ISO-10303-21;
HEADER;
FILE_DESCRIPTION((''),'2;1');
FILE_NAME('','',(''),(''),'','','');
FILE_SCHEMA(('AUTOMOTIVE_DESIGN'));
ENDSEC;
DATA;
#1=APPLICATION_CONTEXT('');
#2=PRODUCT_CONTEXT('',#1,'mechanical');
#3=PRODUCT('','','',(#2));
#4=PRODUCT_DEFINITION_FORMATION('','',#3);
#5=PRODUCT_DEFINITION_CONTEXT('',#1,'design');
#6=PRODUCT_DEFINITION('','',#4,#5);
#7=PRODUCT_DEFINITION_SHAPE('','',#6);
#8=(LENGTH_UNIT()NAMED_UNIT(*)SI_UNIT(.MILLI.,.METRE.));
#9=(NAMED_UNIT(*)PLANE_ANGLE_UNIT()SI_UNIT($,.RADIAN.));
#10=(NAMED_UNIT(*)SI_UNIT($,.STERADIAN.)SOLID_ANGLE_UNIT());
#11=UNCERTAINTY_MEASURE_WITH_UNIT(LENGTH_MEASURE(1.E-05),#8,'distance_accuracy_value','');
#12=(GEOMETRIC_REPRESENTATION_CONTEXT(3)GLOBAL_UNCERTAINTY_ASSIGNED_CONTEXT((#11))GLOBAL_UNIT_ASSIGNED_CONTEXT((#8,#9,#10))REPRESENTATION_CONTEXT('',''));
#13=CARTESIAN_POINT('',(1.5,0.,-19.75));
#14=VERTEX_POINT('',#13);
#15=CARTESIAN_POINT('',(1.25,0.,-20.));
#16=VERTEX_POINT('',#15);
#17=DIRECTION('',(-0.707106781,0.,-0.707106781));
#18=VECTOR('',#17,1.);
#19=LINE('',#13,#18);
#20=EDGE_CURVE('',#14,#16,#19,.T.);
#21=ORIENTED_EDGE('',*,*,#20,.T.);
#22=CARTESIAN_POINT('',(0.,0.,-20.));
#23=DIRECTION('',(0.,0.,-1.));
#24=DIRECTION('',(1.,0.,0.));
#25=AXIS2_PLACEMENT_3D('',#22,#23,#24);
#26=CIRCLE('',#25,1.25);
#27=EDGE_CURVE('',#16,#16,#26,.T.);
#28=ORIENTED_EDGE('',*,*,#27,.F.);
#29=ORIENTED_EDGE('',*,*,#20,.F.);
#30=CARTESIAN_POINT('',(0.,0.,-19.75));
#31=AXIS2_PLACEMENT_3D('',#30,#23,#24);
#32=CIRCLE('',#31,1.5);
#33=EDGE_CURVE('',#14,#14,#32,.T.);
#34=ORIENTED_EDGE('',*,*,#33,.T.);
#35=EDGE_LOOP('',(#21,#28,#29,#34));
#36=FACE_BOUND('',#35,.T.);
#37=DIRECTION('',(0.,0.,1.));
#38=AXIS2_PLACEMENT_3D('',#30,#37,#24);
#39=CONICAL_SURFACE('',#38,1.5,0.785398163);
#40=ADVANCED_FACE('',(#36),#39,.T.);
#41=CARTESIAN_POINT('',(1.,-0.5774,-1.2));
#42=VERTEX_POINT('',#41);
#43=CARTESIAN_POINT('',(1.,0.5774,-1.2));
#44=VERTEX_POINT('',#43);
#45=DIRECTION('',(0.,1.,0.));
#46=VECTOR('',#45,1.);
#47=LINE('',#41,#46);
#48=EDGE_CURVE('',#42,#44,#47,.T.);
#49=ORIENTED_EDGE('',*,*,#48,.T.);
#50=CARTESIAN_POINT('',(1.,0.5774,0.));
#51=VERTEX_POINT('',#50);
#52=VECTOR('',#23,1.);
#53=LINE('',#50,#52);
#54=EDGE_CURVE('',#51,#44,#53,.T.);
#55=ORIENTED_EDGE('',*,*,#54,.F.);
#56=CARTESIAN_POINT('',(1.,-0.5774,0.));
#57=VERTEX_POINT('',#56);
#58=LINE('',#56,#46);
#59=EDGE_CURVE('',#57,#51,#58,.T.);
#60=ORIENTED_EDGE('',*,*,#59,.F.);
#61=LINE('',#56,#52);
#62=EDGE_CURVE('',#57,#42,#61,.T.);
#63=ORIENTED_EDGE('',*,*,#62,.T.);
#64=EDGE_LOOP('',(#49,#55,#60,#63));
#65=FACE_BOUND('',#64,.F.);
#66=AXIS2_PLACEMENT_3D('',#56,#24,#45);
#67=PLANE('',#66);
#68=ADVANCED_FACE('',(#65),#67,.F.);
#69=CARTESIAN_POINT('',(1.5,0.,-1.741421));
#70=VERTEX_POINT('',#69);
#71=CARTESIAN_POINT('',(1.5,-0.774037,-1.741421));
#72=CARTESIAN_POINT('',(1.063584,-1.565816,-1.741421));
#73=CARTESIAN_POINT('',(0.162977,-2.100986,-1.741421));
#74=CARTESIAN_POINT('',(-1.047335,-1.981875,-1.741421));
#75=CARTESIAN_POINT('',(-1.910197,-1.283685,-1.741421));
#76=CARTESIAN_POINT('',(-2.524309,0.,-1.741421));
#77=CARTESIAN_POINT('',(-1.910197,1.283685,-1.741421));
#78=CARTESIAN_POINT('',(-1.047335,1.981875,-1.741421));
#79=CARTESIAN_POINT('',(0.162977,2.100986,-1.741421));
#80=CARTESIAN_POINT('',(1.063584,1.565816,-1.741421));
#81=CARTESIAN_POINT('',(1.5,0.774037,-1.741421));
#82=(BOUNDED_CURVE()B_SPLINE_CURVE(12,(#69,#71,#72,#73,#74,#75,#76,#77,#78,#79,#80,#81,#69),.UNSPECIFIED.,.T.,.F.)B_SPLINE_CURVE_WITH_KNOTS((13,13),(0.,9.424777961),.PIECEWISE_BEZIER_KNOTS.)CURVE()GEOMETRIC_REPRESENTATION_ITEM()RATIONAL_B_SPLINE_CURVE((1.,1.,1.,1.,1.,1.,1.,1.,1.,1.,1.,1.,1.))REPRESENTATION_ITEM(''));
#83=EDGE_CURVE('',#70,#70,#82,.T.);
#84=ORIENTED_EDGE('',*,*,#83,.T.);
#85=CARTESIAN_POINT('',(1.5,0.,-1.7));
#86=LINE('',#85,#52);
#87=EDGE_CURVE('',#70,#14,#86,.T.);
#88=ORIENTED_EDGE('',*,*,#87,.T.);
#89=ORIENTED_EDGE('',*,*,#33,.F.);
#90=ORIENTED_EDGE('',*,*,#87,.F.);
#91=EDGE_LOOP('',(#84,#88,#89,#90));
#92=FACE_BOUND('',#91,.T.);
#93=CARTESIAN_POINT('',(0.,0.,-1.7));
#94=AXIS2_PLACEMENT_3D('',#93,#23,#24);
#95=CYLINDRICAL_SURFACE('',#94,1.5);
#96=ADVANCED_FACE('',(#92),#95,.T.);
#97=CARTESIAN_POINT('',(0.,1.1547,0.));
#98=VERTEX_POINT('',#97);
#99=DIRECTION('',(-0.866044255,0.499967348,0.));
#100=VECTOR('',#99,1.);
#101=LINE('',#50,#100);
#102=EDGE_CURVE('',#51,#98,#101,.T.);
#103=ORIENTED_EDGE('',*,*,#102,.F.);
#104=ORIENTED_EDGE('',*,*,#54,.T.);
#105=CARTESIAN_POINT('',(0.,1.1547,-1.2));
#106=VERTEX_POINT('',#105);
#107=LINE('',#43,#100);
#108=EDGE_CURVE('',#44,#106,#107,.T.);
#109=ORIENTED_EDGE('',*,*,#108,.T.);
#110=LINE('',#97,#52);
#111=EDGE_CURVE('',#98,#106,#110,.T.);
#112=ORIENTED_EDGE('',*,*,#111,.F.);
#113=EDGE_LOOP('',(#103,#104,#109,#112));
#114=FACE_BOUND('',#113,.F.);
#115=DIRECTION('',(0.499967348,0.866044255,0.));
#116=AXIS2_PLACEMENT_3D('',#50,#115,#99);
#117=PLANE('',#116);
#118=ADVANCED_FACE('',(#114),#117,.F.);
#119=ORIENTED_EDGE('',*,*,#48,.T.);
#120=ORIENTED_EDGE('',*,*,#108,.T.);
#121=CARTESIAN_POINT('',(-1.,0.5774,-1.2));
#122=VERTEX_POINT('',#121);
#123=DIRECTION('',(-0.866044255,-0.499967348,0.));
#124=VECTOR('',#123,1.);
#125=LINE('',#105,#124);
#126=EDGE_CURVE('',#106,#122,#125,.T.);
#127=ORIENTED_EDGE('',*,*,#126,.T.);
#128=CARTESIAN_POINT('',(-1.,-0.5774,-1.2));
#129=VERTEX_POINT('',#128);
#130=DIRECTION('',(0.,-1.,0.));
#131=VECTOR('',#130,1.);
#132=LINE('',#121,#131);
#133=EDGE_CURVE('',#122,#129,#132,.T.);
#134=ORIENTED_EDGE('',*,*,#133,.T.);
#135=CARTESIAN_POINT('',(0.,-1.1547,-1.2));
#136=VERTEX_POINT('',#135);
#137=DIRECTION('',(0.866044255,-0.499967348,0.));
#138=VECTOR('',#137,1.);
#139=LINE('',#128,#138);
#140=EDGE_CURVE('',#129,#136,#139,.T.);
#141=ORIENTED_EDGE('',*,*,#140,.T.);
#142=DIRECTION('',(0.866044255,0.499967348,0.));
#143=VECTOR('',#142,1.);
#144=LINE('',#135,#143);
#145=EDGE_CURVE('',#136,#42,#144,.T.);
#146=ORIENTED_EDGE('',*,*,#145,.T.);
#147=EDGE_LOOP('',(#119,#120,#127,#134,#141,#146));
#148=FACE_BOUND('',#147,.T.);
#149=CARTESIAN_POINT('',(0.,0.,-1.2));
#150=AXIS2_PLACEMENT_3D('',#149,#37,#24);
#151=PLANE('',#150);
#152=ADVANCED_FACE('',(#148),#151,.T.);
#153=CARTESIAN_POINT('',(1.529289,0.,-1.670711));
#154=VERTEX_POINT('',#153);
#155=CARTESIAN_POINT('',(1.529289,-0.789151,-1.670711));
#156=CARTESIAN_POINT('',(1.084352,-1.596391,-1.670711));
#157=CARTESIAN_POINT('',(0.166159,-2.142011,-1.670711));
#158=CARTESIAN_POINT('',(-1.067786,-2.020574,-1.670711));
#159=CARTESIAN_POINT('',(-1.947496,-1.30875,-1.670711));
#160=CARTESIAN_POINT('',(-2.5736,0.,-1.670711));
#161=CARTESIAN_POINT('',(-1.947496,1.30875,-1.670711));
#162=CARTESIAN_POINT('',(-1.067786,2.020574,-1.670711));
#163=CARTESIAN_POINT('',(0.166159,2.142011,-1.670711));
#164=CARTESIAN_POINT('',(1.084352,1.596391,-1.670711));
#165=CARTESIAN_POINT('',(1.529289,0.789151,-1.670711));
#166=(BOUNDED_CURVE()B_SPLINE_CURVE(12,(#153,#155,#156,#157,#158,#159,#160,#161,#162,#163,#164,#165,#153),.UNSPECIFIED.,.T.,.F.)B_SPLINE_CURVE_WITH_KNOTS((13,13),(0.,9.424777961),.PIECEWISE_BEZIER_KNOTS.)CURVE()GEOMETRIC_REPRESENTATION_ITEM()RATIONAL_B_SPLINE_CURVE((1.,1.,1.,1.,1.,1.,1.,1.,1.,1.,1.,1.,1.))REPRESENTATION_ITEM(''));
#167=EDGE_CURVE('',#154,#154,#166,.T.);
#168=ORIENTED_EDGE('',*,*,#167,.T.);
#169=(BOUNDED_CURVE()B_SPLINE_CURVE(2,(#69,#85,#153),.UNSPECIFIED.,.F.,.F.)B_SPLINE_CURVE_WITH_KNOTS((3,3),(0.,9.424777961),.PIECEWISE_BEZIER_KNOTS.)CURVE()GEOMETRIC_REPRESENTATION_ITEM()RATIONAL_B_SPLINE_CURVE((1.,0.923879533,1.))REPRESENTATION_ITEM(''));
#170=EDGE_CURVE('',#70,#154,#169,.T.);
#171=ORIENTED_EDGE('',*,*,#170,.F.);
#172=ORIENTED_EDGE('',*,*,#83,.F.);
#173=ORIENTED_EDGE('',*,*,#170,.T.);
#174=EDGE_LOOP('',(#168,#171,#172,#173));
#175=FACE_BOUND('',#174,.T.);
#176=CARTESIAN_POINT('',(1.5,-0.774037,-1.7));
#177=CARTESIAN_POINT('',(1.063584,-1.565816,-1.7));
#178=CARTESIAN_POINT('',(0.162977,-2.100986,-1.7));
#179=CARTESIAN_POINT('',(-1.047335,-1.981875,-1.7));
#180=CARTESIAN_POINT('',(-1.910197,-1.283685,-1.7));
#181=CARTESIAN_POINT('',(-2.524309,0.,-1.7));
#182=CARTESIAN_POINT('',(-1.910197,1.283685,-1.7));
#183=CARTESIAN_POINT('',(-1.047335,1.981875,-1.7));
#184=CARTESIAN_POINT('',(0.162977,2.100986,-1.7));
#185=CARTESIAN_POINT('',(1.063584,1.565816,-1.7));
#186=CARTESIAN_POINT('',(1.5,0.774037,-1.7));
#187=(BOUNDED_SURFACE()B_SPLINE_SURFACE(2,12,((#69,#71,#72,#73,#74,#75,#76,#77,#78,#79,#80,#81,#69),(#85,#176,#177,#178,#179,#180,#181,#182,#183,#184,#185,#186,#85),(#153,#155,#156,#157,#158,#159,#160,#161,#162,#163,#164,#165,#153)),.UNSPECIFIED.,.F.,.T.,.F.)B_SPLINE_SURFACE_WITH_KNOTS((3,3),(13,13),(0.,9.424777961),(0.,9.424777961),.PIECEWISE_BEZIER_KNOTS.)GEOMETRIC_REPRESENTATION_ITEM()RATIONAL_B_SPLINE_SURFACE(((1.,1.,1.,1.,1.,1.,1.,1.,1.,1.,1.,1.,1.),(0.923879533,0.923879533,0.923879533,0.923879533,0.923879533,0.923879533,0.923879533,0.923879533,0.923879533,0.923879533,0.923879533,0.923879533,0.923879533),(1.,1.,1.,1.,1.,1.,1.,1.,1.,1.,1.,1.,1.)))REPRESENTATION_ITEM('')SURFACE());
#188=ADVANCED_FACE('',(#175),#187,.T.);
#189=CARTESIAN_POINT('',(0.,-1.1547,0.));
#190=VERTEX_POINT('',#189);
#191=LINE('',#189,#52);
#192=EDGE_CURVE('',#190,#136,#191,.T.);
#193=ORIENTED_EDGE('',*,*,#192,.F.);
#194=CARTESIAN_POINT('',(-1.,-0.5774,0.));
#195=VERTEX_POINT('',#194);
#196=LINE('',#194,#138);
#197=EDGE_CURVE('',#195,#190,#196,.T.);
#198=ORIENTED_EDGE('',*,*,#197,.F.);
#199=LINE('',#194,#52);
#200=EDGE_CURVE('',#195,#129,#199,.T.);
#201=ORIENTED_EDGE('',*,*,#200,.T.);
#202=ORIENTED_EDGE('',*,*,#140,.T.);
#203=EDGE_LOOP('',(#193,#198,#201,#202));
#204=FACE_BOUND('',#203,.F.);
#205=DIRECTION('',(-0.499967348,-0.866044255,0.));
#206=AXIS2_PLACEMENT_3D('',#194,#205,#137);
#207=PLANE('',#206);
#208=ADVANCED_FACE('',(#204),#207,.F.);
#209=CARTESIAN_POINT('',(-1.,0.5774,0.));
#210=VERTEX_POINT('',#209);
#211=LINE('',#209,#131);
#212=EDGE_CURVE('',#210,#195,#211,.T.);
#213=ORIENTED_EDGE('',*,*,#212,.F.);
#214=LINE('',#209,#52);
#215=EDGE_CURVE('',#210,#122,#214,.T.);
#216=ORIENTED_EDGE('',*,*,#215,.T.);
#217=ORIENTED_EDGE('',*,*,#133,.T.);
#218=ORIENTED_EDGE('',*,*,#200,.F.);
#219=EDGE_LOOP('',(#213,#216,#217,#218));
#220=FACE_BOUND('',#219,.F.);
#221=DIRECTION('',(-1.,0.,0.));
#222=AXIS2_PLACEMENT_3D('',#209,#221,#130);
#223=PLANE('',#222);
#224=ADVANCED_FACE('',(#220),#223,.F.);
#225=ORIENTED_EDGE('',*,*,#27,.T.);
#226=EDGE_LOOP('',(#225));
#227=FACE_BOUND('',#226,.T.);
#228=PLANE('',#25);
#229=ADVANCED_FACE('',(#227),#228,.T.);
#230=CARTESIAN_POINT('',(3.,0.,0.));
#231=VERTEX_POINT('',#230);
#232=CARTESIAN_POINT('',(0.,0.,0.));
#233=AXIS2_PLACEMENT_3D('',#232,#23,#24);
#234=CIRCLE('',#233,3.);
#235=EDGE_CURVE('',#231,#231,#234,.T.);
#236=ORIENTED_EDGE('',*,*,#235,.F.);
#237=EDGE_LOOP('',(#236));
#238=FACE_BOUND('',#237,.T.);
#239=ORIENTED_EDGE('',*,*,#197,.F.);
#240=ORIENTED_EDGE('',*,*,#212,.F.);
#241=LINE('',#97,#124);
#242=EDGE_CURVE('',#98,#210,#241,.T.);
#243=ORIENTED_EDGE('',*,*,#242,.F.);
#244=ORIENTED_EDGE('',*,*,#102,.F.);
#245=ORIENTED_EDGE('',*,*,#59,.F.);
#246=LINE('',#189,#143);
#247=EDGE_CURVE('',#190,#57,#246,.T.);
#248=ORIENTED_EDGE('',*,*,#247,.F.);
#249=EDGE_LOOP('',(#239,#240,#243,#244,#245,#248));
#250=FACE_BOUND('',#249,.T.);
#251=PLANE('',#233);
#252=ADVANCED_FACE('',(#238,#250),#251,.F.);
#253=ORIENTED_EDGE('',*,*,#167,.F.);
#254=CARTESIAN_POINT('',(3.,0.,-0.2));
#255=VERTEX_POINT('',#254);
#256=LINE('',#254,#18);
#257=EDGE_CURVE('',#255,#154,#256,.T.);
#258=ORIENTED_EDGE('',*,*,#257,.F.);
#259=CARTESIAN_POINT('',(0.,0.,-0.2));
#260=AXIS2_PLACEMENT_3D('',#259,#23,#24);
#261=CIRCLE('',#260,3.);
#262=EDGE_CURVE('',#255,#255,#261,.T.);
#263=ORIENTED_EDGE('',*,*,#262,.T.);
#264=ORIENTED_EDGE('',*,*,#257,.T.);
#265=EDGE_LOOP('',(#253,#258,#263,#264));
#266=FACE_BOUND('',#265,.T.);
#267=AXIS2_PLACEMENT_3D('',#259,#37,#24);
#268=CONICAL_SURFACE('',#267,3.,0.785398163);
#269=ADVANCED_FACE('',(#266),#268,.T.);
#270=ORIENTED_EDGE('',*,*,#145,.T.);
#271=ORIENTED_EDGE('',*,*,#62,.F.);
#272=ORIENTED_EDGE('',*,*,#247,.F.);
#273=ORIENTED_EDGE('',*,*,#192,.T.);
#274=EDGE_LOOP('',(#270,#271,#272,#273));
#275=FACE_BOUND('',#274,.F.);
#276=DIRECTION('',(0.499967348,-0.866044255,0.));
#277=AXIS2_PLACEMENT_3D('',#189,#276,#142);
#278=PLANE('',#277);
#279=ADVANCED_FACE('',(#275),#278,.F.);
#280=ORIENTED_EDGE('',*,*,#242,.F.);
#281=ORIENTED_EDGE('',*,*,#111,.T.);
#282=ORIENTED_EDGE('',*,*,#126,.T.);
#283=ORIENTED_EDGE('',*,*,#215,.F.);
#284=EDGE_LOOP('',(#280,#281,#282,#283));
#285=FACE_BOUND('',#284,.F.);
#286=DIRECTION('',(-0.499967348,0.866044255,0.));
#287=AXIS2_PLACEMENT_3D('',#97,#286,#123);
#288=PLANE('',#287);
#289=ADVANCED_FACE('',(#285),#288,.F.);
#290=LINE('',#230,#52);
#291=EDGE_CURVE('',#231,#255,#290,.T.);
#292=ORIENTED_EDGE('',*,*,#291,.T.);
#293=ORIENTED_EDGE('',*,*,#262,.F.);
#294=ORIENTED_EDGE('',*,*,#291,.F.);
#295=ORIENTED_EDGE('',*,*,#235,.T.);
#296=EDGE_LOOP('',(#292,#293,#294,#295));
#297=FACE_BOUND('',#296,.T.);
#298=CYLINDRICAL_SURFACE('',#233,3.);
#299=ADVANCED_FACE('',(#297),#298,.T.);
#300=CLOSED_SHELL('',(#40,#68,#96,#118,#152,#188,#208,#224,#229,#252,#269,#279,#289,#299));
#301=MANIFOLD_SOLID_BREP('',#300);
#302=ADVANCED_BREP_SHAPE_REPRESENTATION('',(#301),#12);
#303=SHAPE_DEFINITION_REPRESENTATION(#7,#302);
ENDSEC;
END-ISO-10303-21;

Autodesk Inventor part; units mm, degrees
ref_plane "YZ Plane" through (0, 0, 0) normal (1, 0, 0) x (0, 1, 0)
sketch "Sketch1" plane through (0, 0, 0) normal (0, 1, 0) x (-1, 0, 0)
  point P0 (0, 0)
sketch "Sketch2" plane through (0, 0, 0) normal (0, 1, 0) x (-1, 0, 0)
  line L0 (-1.5, -20) -> (0, -20)
  line L1 (-1.5, -1.7) -> (-1.5, -20)
  line L2 (-3, -0.2) -> (-1.5, -1.7)
  line L3 (-3, 0) -> (-3, -0.2)
  line L4 (0, 0) -> (-3, 0)
  line L5 (0, -20) -> (0, 0)
  line L6 (0, -20) -> (0, 0)
  line L7 (0, -24) -> (0, 4) projected
  line L8 (0.6, 0) -> (-3.6, 0) projected
  dimension "d3" = 3
  dimension "d5" = 1.5
  dimension "d7" = 20
  dimension "ParC" = 0.2
  dimension "d22" = 0
  dimension "d23" = 0
  dimension "d43" = 45
revolve "Revolution1" add sketch "Sketch2" angle 360 about axis through (0, 0, -20) along (0, 0, -1)
sketch "Sketch3" plane through (0, 0, 0) normal (0, 0, 1) x (1, 0, 0)
  line L0 (-1, 0.5774) -> (-1, -0.5774)
  line L1 (0, 1.1547) -> (-1, 0.5774)
  line L2 (1, 0.5774) -> (0, 1.1547)
  line L3 (1, -0.5774) -> (1, 0.5774)
  line L4 (0, -1.1547) -> (1, -0.5774)
  line L5 (-1, -0.5774) -> (0, -1.1547)
  circle A0 centre (0, 0) radius 1 construction
  circle A1 centre (0, 0) radius 1.5 construction
  dimension "d11" = 2
  dimension "d13" = 120
  dimension "d15" = 120
extrude "Extrusion1" cut sketch "Sketch3" against normal blind 1.2
fillet "Fillet1" radius 0.1 1 edges at (-1.5, 0, -1.7)
chamfer "Chamfer1" distance 0.25 angle 45 1 edges at (-1.5, 0, -20) measured on face at (1.4041, 0.5277, -13.9138)
thread "Thread1" size "M3x0.5" class "6g" standard "ISO Metric profile" length 12
ref_plane "MSC_PF1" through (0, 0, 0) normal (1, 0, 0) x (0, 1, 0)
ref_plane "MSC_PT1" through (0, 0, 0) normal (0, 0, -1) x (-1, 0, 0)
equation "\"d3\" = 0.5 * dk"
equation "\"d5\" = 0.5 * NND"
equation "\"d7\" = NLG"
equation "\"d43\" = 0.5 * ang"
equation "\"d18\" = r"
equation "\"d19\" = 0.5 * PTC"
equation "\"d39\" = 0.5 * PTC"
equation "\"d11\" = ParS"
equation "\"d16\" = ParT"
equation "\"NND\" = 3"
equation "\"PTC\" = 0.5"
equation "\"dk\" = 6"
equation "\"ParK\" = 1.7"
equation "\"ParS\" = 2"
equation "\"ParT\" = 1.2"
equation "\"r\" = 0.1"
equation "\"NLG\" = 20"
equation "\"ang\" = 90deg"
equation "\"THREADDIA\" = NND"
properties part number "ISO 10642 - M3x20" material "Steel, Mild"
